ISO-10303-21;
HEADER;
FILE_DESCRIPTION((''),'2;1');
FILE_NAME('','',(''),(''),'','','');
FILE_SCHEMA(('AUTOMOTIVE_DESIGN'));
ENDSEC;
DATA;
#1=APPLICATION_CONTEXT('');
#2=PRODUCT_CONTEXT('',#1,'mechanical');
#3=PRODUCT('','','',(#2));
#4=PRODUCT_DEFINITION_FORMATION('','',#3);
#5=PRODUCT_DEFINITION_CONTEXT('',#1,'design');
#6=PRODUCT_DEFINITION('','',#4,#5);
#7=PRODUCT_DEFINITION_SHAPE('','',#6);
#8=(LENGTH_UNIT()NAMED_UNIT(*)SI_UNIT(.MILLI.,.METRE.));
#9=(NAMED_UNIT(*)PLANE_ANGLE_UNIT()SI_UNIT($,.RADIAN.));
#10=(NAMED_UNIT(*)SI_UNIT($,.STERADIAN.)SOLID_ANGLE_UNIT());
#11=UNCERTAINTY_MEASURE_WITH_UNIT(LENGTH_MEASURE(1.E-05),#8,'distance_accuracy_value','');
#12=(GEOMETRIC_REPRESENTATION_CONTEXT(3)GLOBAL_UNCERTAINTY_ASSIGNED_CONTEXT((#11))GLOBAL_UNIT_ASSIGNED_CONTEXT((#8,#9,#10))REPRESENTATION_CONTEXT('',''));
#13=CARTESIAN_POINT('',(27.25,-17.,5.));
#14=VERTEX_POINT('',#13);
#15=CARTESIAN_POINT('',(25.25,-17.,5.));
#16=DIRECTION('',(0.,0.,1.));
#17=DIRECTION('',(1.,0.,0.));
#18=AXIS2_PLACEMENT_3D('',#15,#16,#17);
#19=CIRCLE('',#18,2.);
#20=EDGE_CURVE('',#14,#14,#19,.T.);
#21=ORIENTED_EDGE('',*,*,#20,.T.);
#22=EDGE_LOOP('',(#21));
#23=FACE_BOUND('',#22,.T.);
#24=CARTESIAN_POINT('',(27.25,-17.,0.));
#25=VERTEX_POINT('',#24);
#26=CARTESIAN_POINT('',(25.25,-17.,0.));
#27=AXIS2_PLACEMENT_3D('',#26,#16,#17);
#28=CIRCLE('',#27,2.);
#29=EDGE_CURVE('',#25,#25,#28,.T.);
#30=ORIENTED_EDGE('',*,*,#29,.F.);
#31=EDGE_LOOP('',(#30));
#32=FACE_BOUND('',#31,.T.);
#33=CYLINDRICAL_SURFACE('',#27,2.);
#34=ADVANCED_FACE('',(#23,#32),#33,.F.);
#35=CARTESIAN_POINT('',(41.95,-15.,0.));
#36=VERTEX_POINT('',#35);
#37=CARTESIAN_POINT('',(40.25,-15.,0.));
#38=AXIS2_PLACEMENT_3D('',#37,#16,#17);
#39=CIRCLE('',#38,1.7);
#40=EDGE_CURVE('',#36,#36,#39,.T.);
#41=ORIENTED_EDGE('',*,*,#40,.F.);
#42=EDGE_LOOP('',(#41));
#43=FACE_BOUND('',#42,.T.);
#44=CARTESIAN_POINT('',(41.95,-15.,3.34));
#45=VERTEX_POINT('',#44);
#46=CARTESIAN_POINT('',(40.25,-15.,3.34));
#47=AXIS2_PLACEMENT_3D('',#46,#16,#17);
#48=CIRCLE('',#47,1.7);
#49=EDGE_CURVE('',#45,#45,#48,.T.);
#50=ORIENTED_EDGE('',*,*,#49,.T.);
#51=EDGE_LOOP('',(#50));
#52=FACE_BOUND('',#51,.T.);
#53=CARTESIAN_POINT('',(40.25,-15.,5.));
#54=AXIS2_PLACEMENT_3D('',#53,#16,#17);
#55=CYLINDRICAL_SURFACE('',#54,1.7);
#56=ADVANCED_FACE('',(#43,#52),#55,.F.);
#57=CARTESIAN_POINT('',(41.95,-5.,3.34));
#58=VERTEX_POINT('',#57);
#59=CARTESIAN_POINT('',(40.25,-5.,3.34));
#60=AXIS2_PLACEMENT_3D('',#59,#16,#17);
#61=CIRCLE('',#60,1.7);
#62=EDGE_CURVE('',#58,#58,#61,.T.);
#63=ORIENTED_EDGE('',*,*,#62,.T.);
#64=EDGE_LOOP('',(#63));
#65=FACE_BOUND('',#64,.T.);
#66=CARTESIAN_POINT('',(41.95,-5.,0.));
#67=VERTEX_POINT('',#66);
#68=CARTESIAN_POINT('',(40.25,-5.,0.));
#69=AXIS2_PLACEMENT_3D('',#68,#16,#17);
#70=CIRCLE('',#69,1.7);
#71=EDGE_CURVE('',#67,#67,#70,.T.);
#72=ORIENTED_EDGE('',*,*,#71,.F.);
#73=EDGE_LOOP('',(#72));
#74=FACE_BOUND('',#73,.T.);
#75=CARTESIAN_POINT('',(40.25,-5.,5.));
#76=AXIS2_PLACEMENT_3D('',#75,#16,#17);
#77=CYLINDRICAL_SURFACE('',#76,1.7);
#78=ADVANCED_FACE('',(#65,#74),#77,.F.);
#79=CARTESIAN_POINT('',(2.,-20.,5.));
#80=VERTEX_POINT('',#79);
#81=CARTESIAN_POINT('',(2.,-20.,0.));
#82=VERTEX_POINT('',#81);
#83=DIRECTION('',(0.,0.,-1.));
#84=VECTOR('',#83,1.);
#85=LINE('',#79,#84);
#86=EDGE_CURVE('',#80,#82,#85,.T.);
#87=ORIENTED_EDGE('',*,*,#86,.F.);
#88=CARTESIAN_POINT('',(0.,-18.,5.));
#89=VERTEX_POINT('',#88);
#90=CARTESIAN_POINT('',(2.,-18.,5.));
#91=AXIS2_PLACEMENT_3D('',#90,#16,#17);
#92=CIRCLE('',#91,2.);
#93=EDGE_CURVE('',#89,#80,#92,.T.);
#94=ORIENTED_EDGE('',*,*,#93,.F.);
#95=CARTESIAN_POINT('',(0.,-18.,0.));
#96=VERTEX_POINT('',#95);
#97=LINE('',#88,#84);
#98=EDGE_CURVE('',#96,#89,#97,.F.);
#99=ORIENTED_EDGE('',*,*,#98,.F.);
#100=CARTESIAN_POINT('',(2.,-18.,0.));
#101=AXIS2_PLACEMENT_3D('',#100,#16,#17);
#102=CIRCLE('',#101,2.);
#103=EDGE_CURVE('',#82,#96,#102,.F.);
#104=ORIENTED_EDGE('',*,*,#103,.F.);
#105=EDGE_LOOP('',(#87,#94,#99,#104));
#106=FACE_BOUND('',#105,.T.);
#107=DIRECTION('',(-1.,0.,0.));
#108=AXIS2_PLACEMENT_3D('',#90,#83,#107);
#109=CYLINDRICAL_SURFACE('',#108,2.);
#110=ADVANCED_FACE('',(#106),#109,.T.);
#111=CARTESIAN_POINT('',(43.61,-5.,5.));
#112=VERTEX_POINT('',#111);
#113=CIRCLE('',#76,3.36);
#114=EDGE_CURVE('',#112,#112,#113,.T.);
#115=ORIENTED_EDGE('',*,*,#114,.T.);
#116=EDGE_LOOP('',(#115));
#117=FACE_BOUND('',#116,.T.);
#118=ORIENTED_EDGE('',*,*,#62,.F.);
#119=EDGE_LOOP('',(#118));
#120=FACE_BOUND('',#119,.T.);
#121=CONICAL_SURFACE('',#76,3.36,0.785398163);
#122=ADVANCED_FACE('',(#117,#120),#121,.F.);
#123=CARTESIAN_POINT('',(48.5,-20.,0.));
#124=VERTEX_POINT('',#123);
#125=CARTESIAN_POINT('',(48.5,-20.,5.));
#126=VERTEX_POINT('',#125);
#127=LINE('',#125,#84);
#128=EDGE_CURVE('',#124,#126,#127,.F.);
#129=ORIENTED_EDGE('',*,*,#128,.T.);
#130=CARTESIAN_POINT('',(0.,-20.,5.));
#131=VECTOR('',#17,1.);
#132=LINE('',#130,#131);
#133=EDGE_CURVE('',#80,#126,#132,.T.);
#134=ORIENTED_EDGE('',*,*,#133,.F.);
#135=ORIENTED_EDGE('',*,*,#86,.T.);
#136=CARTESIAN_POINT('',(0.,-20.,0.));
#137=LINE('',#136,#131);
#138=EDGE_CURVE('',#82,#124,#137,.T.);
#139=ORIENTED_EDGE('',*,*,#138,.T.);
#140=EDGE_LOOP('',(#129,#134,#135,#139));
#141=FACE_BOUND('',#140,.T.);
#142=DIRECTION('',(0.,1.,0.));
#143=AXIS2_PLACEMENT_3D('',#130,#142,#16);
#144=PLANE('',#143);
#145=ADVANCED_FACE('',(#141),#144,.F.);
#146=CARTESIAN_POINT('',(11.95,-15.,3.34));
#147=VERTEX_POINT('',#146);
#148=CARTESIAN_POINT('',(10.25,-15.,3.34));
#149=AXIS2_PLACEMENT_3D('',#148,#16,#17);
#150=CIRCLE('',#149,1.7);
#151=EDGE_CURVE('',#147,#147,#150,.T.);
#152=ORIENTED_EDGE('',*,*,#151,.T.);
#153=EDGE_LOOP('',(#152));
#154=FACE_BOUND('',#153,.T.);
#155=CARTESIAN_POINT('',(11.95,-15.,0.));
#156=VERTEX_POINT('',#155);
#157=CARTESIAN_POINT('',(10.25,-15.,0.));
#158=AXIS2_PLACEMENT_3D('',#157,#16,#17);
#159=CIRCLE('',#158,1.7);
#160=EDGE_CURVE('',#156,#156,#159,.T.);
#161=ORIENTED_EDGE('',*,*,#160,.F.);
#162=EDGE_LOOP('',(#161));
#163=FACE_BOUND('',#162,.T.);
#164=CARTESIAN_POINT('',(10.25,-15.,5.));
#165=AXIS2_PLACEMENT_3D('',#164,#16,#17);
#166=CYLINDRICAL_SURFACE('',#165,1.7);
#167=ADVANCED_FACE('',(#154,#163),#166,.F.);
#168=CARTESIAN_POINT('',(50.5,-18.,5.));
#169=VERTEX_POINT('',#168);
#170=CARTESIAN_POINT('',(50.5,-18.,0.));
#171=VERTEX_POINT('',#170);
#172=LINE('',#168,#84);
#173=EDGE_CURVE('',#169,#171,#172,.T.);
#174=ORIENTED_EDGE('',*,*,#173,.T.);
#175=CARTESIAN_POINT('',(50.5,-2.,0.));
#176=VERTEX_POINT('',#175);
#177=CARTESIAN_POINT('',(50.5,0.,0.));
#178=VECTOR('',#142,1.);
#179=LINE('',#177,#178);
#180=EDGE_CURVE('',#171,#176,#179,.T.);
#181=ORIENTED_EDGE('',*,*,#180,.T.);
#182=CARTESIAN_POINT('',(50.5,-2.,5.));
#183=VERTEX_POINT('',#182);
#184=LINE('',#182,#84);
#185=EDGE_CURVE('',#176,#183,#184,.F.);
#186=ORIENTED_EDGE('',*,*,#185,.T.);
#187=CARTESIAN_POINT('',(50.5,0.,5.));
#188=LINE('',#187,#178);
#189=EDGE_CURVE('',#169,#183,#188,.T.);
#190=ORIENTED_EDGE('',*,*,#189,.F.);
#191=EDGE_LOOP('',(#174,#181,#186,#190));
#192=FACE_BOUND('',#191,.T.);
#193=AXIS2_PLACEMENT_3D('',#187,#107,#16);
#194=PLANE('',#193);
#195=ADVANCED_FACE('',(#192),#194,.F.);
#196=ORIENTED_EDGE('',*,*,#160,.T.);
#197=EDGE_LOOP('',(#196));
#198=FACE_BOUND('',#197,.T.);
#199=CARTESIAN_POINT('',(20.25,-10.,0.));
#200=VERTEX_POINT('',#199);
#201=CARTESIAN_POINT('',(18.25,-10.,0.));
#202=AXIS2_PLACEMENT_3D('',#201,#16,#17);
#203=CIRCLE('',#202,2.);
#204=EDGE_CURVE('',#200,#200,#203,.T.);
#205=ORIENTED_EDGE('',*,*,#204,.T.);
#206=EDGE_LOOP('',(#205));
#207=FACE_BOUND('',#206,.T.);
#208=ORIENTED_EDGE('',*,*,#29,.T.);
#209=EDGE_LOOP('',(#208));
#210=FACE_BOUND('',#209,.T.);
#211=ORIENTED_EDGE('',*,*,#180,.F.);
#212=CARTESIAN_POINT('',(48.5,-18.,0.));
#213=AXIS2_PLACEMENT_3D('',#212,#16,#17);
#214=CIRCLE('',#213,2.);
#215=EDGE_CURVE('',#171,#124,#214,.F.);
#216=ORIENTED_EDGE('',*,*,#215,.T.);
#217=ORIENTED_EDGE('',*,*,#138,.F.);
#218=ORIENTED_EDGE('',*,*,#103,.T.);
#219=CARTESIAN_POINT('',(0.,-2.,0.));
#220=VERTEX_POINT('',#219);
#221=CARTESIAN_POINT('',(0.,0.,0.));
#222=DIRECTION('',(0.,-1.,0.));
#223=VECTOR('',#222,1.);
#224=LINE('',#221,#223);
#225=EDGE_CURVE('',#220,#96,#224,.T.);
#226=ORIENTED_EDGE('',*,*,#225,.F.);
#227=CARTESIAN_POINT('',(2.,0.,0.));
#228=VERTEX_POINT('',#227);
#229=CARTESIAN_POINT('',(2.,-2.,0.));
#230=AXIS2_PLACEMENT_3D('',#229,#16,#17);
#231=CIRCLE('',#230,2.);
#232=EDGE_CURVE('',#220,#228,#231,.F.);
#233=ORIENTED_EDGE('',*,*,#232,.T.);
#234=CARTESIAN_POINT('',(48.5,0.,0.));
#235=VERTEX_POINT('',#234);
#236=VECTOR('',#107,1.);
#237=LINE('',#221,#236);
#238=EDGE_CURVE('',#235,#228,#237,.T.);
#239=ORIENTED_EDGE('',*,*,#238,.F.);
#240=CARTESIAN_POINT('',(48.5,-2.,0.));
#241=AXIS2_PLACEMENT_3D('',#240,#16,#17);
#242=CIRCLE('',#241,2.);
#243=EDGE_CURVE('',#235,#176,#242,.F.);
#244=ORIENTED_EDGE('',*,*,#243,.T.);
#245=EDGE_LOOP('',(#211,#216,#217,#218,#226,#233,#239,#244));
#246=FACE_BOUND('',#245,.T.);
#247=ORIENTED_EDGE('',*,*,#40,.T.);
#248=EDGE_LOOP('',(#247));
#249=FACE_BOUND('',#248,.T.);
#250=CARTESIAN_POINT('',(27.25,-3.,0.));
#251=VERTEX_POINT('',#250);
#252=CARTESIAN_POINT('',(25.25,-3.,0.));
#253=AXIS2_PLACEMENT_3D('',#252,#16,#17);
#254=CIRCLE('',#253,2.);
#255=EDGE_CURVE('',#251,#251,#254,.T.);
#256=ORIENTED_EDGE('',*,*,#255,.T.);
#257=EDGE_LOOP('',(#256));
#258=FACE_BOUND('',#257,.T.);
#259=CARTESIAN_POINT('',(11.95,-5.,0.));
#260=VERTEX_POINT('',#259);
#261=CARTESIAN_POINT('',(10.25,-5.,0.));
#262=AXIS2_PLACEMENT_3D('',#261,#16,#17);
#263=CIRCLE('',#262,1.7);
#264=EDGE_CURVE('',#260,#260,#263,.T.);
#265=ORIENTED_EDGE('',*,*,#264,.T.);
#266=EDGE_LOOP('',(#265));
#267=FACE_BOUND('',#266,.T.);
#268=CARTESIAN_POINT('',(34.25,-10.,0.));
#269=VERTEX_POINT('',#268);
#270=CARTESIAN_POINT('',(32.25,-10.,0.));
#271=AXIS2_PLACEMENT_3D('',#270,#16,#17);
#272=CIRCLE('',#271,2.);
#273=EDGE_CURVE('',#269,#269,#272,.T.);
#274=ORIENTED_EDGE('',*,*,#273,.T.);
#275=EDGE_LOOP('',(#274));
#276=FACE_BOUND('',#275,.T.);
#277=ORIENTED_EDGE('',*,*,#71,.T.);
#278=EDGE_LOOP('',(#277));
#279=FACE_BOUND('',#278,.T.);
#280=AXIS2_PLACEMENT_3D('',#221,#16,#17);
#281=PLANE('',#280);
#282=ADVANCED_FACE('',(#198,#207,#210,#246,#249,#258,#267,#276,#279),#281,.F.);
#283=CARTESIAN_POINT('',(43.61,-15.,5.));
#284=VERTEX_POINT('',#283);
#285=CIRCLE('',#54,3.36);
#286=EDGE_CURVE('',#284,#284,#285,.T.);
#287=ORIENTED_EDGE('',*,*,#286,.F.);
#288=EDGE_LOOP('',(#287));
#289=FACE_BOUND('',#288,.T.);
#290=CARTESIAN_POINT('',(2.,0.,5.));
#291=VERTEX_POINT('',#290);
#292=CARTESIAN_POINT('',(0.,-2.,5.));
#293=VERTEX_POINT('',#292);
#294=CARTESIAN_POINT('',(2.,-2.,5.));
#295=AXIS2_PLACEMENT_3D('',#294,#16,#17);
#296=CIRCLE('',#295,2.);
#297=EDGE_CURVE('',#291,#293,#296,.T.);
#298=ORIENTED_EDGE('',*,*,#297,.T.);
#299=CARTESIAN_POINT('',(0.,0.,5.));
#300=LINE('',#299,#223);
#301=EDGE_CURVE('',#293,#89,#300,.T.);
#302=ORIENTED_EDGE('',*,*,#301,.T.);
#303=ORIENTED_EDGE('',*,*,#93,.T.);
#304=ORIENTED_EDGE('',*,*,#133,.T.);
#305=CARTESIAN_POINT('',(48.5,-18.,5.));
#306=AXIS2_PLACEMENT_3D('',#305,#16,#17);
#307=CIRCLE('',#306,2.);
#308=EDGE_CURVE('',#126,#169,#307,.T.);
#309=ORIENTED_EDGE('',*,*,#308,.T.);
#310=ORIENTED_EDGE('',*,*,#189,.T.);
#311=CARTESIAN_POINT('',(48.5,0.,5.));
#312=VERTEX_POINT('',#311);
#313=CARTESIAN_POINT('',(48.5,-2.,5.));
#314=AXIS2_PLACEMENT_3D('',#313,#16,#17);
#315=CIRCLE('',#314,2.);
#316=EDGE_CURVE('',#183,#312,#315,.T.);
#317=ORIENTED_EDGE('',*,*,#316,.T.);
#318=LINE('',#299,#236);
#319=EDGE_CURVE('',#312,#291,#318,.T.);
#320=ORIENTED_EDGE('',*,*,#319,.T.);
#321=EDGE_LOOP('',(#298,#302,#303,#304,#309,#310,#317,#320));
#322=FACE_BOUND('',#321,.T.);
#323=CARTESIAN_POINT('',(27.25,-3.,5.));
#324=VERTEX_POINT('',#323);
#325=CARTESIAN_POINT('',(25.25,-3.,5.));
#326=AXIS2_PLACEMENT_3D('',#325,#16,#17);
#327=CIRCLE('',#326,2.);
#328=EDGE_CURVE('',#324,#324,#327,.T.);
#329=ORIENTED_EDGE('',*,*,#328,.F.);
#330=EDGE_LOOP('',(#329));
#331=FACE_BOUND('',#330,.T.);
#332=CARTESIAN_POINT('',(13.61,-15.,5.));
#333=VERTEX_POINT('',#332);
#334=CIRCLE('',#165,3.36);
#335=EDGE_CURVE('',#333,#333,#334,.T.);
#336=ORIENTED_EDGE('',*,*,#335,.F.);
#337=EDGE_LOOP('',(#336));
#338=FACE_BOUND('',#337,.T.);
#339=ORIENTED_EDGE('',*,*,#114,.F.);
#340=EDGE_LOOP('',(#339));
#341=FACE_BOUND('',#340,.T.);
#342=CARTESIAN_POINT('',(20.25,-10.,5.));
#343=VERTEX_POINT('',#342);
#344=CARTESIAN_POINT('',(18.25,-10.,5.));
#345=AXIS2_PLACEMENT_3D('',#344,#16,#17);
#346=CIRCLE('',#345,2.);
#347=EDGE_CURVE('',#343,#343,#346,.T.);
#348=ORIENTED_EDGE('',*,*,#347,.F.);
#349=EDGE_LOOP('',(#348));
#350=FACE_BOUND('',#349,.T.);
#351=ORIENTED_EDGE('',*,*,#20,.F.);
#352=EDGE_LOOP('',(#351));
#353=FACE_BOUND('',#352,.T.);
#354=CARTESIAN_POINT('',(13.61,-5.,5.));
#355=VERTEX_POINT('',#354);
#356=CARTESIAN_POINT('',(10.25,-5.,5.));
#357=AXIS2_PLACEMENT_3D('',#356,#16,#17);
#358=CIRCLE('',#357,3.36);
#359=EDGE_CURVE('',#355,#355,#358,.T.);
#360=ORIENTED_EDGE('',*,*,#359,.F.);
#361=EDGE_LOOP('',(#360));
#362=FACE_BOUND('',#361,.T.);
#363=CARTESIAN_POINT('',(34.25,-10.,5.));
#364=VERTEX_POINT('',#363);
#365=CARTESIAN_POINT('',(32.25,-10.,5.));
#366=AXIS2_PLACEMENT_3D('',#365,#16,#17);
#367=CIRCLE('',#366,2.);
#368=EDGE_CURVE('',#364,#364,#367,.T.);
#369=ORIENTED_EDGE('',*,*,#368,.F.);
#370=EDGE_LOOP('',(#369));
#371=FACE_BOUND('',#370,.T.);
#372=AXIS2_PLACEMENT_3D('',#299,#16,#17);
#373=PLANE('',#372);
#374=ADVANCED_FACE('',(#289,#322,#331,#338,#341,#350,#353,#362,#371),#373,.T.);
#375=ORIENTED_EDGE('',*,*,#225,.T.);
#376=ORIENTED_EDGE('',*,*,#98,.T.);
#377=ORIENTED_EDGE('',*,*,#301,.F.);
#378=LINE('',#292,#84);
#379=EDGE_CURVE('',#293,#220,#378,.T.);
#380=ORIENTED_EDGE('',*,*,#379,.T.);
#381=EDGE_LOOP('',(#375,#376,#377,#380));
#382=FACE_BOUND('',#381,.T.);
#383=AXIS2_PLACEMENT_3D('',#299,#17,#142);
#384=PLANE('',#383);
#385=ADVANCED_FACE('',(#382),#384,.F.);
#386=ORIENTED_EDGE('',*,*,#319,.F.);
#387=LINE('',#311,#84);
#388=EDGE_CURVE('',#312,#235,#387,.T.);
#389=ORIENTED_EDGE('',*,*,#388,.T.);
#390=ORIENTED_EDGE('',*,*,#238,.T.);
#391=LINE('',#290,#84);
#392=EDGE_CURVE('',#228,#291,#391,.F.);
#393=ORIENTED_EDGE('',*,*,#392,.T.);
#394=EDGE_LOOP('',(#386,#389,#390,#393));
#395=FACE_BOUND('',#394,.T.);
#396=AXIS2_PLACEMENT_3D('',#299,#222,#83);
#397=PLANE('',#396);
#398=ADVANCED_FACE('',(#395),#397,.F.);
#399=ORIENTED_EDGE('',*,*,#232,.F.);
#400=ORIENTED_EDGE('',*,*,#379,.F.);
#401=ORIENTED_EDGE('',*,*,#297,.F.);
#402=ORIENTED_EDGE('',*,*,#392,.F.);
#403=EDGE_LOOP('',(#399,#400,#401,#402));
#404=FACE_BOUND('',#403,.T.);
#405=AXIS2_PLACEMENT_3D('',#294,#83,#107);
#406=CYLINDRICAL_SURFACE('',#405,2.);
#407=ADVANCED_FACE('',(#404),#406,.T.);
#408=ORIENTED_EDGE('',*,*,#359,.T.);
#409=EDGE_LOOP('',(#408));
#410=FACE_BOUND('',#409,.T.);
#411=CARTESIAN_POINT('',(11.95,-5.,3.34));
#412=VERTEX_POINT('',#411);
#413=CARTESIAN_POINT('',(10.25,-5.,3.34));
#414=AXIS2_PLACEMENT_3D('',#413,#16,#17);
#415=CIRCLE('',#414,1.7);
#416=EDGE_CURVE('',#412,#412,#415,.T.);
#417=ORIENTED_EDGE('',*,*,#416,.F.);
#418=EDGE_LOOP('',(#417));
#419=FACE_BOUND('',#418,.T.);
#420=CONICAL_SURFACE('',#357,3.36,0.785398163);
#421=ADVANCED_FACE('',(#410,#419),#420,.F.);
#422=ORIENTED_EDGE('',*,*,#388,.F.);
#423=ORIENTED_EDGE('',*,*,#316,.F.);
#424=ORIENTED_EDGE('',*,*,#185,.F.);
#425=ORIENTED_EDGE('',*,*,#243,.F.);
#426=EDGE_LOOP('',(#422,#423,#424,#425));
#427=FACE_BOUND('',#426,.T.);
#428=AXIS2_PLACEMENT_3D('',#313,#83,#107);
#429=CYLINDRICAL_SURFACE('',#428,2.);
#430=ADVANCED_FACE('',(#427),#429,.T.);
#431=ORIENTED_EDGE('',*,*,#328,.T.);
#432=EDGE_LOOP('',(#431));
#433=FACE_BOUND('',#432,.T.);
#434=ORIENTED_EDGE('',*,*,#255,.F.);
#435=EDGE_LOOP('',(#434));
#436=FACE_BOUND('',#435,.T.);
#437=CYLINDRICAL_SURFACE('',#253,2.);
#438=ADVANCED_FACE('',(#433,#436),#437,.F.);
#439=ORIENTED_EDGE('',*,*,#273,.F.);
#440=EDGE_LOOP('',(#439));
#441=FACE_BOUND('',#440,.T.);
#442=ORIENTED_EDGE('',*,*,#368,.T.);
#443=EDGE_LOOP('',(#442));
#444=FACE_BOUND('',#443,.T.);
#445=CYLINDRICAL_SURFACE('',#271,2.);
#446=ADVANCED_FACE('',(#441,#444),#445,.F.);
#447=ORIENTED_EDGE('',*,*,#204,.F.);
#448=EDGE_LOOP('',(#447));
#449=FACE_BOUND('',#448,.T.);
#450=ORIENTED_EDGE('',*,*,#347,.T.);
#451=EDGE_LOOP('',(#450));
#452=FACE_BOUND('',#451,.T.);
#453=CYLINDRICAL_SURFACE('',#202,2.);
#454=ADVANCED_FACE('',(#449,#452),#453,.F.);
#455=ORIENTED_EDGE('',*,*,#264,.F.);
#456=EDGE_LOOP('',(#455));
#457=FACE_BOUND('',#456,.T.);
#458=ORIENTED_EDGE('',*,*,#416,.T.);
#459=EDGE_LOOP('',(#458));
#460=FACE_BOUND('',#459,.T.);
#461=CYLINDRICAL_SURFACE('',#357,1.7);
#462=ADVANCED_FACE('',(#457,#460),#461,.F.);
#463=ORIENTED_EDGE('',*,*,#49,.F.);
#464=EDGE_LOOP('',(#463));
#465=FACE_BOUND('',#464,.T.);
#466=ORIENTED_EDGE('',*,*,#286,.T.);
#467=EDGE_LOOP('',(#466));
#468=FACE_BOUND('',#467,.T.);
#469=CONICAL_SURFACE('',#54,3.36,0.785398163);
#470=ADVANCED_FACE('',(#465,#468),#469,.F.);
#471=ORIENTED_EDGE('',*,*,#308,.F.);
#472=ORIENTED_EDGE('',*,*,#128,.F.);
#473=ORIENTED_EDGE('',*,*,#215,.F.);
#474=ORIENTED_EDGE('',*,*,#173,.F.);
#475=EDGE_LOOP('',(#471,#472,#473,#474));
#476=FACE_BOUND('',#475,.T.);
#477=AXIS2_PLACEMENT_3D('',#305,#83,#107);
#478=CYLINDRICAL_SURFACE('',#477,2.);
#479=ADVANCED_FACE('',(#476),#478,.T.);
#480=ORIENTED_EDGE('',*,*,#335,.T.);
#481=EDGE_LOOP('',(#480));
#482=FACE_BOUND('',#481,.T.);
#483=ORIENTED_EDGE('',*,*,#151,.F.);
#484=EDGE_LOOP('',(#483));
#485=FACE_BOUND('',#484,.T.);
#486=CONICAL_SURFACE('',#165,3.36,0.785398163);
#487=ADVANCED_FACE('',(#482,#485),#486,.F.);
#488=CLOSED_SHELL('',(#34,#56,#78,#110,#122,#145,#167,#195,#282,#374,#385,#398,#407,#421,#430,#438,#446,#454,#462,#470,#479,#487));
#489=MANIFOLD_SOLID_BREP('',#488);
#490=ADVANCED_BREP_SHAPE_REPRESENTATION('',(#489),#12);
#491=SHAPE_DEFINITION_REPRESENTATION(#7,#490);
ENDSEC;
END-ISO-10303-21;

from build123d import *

# Parameters (mm, degrees)
SKETCH_1_W                   = 50.5
SKETCH_1_H                   = 20
EXTRUDE_1_DEPTH              = 5
SKETCH_2_R                   = 1.6
CUT_EXTRUDE_1_DEPTH          = 5
HOLE_WIZARD_M3_1_D           = 3.4
HOLE_WIZARD_M3_1_CSINK_D     = 6.72
HOLE_WIZARD_M3_1_CSINK_ANGLE = 90
SKETCH_6_R                   = 2
CUT_EXTRUDE_2_DEPTH          = 5
FILLET_1_R                   = 2


with BuildPart() as part:
    # 草图1 → 凸台-拉伸1 (new body)
    with BuildSketch(Plane.XY):
        with Locations((25.25, -10)):
            Rectangle(SKETCH_1_W, SKETCH_1_H)
    extrude(amount=EXTRUDE_1_DEPTH)

    # 草图2 → 切除-拉伸1 (cut)
    with BuildSketch(Plane(origin=(0, 0, 0), x_dir=(-1, 0, 0), z_dir=(0, 0, -1))):
        with Locations((-40.25, -5)):
            Circle(SKETCH_2_R)
        with Locations((-40.25, -15)):
            Circle(SKETCH_2_R)
        with Locations((-10.25, -5)):
            Circle(SKETCH_2_R)
        with Locations((-10.25, -15)):
            Circle(SKETCH_2_R)
    extrude(amount=-CUT_EXTRUDE_1_DEPTH, mode=Mode.SUBTRACT)

    # M3 六角凹锥坑螺钉的锥形沉头孔1 (through all)
    with Locations(Plane.XY.offset(5)):
        with Locations((10.25, -5), (10.25, -15), (40.25, -5), (40.25, -15)):
            CounterSinkHole(HOLE_WIZARD_M3_1_D / 2, HOLE_WIZARD_M3_1_CSINK_D / 2, counter_sink_angle=HOLE_WIZARD_M3_1_CSINK_ANGLE)

    # 草图6 → 切除-拉伸2 (cut)
    with BuildSketch(Plane.XY.offset(5)):
        with Locations((25.25, -3)):
            Circle(SKETCH_6_R)
        with Locations((32.25, -10)):
            Circle(SKETCH_6_R)
        with Locations((18.25, -10)):
            Circle(SKETCH_6_R)
        with Locations((25.25, -17)):
            Circle(SKETCH_6_R)
    extrude(amount=-CUT_EXTRUDE_2_DEPTH, mode=Mode.SUBTRACT)

    # 圆角1
    fillet_1_edges = [part.edges().sort_by_distance(p)[0] for p in [
        (0, 0, 2.5),
        (50.5, 0, 2.5),
        (50.5, -20, 2.5),
        (0, -20, 2.5),
    ]]
    fillet(fillet_1_edges, radius=FILLET_1_R)


solid = part.part
